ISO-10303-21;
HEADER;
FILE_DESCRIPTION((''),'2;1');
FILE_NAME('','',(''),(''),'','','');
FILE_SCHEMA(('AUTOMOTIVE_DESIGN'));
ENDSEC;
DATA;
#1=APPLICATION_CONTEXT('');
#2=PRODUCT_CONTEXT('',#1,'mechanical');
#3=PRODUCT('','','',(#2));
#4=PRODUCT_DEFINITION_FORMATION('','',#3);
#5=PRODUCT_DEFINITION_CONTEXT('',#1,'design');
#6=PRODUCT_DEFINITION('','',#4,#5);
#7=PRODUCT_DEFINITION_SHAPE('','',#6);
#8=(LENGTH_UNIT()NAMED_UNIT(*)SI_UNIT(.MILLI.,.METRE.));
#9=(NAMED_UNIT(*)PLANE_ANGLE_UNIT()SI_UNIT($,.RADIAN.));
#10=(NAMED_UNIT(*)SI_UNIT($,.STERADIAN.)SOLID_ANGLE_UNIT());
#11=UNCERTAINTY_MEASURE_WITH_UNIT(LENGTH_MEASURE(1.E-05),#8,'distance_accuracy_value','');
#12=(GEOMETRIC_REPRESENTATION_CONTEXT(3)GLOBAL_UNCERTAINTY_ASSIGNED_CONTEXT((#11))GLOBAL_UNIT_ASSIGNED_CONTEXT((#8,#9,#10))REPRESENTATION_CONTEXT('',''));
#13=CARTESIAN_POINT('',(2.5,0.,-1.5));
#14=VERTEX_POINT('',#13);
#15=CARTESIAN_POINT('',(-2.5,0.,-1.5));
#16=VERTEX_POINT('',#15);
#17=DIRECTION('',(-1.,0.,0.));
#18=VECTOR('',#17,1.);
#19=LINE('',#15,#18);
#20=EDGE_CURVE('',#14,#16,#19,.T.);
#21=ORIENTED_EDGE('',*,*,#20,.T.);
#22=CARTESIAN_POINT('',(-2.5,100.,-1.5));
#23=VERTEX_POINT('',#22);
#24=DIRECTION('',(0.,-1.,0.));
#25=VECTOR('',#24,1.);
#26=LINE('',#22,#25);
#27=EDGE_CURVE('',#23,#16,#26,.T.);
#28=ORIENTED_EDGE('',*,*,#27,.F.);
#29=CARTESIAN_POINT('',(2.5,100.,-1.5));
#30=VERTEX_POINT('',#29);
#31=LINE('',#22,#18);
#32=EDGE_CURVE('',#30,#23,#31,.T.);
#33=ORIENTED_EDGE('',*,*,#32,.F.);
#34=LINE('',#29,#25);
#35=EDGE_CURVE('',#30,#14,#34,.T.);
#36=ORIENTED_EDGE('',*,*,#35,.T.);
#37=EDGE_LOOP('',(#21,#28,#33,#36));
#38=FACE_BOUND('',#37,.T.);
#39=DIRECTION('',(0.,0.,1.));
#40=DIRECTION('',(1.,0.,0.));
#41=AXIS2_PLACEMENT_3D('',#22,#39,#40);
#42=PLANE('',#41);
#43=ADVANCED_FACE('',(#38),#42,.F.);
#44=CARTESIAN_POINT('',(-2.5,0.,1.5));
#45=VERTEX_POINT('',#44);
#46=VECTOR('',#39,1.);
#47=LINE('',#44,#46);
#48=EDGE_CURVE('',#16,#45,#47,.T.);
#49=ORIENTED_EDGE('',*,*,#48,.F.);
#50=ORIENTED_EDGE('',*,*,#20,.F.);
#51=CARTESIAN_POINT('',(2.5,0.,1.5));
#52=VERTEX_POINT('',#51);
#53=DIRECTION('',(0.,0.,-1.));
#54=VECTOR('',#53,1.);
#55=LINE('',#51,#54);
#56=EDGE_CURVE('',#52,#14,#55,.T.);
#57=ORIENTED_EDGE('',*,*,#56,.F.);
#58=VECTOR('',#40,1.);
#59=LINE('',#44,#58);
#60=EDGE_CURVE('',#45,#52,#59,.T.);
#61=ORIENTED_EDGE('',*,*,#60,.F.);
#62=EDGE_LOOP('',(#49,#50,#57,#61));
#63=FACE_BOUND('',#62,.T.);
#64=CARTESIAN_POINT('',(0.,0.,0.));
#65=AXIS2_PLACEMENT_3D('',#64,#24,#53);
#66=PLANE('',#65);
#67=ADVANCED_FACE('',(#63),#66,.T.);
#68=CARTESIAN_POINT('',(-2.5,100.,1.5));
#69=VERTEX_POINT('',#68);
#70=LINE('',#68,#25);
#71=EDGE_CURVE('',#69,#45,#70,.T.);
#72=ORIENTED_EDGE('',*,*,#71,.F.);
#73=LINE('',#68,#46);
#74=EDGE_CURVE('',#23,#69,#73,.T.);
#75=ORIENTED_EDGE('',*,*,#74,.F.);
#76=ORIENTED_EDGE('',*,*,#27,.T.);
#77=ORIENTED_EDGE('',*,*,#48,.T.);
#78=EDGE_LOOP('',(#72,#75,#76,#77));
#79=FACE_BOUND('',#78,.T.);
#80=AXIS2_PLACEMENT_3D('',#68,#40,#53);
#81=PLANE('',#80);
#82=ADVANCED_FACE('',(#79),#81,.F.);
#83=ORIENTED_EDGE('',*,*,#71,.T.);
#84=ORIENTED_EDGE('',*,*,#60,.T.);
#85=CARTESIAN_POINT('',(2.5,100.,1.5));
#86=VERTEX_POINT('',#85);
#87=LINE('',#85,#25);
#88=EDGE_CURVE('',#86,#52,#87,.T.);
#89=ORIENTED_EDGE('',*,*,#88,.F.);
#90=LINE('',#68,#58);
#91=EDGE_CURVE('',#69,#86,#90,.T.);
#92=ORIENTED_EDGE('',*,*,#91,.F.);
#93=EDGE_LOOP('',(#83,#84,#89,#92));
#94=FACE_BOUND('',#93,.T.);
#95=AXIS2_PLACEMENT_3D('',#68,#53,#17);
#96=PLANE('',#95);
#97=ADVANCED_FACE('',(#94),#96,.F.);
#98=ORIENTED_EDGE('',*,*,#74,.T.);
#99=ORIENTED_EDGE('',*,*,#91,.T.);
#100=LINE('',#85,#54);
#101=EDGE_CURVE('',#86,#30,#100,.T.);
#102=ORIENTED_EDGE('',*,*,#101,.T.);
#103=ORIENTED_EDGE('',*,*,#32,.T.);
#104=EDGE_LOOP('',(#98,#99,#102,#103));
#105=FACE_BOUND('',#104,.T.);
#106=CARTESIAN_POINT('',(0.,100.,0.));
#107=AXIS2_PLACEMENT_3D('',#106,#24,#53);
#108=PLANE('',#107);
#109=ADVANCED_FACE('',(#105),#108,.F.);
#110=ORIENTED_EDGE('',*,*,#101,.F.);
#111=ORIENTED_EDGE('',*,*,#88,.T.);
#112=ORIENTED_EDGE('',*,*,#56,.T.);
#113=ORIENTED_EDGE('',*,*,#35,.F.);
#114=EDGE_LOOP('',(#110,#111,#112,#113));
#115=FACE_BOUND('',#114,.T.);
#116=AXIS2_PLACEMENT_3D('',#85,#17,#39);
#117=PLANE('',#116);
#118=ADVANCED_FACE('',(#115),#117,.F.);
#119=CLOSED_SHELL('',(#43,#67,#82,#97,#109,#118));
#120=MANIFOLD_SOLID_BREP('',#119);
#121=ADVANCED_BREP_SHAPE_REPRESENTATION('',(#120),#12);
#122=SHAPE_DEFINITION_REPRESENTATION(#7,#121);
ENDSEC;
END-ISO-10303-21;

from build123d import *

# Parameters (mm, degrees)
SKETCH_1_W      = 5
SKETCH_1_H      = 3
EXTRUDE_1_DEPTH = 100


with BuildPart() as part:
    # 草图1 → 凸台-拉伸1 (new body)
    with BuildSketch(Plane(origin=(0, 0, 0), x_dir=(1, 0, 0), z_dir=(0, 1, 0))):
        Rectangle(SKETCH_1_W, SKETCH_1_H)
    extrude(amount=EXTRUDE_1_DEPTH)


solid = part.part
